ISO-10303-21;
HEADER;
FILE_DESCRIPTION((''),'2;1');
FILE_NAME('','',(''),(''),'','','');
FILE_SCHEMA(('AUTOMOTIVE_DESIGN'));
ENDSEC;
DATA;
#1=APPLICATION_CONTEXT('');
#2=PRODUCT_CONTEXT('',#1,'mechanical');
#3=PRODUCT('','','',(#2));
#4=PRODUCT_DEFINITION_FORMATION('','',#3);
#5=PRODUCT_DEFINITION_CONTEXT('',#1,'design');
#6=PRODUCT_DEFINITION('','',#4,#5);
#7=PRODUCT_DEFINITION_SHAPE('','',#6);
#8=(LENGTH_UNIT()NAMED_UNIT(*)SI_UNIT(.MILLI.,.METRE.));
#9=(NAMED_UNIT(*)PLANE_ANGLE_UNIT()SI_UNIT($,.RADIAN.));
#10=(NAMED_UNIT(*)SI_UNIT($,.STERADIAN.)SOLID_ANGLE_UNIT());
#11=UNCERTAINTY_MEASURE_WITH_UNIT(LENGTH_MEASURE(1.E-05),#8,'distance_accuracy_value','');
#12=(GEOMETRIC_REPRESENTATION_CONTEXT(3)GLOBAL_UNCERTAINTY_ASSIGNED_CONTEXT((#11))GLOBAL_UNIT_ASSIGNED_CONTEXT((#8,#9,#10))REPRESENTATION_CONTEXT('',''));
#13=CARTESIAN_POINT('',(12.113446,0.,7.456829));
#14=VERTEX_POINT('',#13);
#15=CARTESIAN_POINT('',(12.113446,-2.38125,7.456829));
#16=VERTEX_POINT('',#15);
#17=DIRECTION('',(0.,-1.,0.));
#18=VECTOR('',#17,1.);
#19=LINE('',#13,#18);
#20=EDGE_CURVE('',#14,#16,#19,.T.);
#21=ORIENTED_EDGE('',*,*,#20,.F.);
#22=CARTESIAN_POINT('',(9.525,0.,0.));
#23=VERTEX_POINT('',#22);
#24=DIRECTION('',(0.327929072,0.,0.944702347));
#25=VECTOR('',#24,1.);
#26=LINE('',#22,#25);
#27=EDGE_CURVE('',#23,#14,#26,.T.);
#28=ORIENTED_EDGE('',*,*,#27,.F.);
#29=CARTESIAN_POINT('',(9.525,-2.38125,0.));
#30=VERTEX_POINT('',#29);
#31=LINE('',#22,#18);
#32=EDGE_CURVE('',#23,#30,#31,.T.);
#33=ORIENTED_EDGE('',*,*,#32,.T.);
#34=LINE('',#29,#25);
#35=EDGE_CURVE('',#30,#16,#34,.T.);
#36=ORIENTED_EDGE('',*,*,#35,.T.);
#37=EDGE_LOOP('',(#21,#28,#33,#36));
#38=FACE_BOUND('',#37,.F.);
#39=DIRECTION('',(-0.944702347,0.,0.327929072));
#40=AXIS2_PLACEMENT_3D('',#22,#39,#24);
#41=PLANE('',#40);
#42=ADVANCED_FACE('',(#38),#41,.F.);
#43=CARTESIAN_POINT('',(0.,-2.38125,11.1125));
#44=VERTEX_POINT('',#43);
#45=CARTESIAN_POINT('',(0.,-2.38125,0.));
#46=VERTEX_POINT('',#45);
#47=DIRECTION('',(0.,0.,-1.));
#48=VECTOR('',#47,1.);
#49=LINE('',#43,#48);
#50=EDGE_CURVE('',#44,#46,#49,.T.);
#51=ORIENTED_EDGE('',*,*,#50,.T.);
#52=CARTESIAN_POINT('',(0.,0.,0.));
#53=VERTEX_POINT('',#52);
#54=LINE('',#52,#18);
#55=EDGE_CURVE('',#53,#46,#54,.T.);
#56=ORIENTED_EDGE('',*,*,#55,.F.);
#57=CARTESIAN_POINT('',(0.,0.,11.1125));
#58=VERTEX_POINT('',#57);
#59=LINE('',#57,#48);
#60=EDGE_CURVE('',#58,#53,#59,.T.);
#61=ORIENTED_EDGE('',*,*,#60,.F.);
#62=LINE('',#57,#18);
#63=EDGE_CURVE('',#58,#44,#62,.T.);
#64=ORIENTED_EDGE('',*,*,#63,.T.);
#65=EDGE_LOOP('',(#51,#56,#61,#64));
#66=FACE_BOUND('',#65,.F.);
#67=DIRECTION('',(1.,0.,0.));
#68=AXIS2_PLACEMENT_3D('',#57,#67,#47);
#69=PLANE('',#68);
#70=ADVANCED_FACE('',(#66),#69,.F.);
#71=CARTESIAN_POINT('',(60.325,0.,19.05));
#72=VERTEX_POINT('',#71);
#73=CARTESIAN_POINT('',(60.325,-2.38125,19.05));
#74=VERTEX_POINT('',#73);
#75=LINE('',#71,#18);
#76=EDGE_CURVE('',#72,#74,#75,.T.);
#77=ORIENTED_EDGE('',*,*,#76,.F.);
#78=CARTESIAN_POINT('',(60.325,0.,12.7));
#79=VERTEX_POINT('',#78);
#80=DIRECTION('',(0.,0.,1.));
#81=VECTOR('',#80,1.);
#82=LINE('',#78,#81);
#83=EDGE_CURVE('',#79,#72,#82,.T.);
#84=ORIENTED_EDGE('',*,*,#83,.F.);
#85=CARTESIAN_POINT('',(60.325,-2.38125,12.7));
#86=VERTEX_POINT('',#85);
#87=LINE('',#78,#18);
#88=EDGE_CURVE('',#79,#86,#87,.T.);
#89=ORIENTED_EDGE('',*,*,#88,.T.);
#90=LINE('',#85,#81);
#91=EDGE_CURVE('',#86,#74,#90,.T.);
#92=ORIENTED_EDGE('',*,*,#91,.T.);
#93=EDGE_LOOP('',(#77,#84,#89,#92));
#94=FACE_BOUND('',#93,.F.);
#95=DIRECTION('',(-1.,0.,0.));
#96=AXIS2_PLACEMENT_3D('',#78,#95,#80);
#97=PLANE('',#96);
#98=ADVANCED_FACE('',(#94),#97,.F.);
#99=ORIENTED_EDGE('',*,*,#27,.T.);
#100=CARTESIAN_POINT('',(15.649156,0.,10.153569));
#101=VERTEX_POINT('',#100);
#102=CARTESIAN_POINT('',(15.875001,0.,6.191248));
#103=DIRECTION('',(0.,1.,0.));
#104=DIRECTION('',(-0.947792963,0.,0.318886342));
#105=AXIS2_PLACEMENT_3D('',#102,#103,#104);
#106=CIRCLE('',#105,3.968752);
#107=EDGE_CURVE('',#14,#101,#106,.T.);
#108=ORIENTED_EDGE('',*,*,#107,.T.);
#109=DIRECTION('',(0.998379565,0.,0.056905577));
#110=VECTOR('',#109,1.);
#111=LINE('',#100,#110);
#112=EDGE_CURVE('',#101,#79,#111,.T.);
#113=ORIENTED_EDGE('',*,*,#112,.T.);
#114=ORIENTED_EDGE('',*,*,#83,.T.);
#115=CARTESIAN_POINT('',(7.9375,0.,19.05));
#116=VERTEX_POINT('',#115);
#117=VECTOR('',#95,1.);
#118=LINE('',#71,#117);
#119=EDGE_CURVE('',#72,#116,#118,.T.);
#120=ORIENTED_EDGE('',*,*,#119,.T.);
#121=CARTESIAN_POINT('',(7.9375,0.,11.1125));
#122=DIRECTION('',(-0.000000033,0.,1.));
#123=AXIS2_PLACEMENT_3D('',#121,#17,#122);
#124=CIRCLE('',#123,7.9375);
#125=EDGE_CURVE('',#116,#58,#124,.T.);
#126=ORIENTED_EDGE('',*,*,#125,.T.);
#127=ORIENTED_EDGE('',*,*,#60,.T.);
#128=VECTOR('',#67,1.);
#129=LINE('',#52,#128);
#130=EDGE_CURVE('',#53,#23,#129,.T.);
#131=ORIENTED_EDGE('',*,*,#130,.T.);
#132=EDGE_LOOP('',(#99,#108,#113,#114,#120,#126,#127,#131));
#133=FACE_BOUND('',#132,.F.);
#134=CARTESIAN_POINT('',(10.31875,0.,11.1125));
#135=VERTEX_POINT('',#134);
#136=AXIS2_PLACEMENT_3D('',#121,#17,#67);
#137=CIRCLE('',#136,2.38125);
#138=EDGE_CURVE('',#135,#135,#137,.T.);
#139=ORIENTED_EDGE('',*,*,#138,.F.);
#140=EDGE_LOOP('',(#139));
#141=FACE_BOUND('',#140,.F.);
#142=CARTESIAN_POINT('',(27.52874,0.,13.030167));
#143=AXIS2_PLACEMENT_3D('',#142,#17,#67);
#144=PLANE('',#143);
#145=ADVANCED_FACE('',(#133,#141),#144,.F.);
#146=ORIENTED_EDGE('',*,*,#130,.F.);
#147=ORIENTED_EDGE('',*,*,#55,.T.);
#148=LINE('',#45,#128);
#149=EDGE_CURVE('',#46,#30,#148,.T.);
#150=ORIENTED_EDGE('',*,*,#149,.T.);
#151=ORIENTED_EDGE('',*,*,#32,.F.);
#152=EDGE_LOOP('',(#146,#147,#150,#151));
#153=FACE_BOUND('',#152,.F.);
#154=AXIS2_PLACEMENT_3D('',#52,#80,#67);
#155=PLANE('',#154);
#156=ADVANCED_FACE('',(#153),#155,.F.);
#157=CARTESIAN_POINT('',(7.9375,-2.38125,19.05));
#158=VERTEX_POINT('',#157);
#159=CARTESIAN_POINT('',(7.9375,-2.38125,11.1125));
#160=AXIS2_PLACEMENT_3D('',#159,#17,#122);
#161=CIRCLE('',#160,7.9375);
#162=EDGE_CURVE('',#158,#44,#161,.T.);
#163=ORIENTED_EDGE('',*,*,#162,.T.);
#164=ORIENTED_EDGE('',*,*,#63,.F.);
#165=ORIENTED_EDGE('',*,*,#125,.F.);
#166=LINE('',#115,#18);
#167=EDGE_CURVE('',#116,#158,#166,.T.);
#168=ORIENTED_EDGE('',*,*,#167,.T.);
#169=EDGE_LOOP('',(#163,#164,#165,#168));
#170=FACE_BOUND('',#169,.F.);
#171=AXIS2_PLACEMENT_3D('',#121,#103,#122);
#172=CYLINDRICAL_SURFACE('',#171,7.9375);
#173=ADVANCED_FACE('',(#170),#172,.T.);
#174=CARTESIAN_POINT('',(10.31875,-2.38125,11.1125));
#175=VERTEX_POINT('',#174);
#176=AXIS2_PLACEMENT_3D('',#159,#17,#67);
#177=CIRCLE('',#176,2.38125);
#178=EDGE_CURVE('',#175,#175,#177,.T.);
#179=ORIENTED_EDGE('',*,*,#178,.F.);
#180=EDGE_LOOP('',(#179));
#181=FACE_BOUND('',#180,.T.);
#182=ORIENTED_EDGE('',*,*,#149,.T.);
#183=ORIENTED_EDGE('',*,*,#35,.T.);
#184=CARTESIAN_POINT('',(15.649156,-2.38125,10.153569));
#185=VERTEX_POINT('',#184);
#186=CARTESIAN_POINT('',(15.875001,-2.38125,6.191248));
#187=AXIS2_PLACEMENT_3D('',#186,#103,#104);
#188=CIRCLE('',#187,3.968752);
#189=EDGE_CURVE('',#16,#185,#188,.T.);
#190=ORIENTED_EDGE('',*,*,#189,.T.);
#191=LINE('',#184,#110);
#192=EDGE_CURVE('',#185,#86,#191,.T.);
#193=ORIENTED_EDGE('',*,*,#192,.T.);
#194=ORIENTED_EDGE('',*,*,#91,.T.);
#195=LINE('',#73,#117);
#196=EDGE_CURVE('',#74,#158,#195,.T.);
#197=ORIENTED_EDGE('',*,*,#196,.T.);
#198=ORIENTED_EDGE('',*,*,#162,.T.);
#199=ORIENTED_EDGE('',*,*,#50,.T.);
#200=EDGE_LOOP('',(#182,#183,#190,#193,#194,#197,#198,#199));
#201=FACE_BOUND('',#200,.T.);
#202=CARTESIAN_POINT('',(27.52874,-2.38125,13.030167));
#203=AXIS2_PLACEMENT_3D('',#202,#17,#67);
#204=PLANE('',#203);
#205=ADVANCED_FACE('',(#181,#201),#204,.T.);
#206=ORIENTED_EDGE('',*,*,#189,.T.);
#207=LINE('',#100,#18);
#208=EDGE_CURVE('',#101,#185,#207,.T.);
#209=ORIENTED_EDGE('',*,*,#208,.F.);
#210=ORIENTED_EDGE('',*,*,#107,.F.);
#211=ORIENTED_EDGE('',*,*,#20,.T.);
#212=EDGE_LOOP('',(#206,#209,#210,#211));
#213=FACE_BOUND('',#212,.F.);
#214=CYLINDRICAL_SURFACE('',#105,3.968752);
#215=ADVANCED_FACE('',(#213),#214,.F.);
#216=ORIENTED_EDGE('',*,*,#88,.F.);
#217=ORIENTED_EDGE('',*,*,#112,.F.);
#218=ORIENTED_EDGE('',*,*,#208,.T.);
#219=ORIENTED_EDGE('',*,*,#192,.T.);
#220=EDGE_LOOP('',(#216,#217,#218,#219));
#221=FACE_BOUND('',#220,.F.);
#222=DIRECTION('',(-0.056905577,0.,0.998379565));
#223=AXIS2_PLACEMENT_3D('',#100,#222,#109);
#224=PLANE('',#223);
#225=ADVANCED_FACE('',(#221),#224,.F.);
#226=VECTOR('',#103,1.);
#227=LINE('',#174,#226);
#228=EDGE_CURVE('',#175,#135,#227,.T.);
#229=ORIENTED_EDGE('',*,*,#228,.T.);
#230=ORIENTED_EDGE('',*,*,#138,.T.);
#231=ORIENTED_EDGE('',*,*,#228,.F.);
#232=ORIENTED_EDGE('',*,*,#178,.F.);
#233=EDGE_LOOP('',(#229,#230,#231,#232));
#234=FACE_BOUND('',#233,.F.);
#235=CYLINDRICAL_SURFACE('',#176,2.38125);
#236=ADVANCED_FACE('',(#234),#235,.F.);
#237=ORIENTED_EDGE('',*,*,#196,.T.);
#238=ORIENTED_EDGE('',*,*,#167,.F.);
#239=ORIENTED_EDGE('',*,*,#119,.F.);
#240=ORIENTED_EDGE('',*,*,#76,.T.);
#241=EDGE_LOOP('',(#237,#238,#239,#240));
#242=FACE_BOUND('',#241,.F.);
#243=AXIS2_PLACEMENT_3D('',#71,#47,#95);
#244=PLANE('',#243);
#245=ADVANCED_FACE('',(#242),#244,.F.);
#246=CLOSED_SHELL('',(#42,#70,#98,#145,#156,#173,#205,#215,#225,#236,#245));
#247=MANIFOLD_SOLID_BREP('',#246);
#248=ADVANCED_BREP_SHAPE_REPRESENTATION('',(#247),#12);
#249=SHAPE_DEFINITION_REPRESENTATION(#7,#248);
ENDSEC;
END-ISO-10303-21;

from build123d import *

# Parameters (mm, degrees)
F1_DEPTH = 2.38125
F2_R     = 2.38125
F3_DEPTH = 2.38225


with BuildPart() as f1:
    # F0 (on Front) → F1 (new body)
    with BuildSketch(Plane.XZ):
        with BuildLine():
            Line((60.325, 19.05), (7.9375, 19.05))
            ThreePointArc((7.9375, 19.05), (2.32484, 16.72516), (0, 11.1125))
            Line((0, 11.1125), (0, 0))
            Line((0, 0), (9.525, 0))
            Line((9.525, 0), (12.113446, 7.456829))
            ThreePointArc((12.113446, 7.456829), (13.468148, 9.346886), (15.649156, 10.153569))
            Line((15.649156, 10.153569), (60.325, 12.7))
            Line((60.325, 12.7), (60.325, 19.05))
        make_face()
    extrude(amount=F1_DEPTH)

    # F2 (on face) → F3 (cut, through all)
    with BuildSketch(Plane.XZ.offset(2.38125)):
        with Locations((7.9375, 11.1125)):
            Circle(F2_R)
    extrude(amount=-F3_DEPTH, mode=Mode.SUBTRACT)


solid = f1.part
